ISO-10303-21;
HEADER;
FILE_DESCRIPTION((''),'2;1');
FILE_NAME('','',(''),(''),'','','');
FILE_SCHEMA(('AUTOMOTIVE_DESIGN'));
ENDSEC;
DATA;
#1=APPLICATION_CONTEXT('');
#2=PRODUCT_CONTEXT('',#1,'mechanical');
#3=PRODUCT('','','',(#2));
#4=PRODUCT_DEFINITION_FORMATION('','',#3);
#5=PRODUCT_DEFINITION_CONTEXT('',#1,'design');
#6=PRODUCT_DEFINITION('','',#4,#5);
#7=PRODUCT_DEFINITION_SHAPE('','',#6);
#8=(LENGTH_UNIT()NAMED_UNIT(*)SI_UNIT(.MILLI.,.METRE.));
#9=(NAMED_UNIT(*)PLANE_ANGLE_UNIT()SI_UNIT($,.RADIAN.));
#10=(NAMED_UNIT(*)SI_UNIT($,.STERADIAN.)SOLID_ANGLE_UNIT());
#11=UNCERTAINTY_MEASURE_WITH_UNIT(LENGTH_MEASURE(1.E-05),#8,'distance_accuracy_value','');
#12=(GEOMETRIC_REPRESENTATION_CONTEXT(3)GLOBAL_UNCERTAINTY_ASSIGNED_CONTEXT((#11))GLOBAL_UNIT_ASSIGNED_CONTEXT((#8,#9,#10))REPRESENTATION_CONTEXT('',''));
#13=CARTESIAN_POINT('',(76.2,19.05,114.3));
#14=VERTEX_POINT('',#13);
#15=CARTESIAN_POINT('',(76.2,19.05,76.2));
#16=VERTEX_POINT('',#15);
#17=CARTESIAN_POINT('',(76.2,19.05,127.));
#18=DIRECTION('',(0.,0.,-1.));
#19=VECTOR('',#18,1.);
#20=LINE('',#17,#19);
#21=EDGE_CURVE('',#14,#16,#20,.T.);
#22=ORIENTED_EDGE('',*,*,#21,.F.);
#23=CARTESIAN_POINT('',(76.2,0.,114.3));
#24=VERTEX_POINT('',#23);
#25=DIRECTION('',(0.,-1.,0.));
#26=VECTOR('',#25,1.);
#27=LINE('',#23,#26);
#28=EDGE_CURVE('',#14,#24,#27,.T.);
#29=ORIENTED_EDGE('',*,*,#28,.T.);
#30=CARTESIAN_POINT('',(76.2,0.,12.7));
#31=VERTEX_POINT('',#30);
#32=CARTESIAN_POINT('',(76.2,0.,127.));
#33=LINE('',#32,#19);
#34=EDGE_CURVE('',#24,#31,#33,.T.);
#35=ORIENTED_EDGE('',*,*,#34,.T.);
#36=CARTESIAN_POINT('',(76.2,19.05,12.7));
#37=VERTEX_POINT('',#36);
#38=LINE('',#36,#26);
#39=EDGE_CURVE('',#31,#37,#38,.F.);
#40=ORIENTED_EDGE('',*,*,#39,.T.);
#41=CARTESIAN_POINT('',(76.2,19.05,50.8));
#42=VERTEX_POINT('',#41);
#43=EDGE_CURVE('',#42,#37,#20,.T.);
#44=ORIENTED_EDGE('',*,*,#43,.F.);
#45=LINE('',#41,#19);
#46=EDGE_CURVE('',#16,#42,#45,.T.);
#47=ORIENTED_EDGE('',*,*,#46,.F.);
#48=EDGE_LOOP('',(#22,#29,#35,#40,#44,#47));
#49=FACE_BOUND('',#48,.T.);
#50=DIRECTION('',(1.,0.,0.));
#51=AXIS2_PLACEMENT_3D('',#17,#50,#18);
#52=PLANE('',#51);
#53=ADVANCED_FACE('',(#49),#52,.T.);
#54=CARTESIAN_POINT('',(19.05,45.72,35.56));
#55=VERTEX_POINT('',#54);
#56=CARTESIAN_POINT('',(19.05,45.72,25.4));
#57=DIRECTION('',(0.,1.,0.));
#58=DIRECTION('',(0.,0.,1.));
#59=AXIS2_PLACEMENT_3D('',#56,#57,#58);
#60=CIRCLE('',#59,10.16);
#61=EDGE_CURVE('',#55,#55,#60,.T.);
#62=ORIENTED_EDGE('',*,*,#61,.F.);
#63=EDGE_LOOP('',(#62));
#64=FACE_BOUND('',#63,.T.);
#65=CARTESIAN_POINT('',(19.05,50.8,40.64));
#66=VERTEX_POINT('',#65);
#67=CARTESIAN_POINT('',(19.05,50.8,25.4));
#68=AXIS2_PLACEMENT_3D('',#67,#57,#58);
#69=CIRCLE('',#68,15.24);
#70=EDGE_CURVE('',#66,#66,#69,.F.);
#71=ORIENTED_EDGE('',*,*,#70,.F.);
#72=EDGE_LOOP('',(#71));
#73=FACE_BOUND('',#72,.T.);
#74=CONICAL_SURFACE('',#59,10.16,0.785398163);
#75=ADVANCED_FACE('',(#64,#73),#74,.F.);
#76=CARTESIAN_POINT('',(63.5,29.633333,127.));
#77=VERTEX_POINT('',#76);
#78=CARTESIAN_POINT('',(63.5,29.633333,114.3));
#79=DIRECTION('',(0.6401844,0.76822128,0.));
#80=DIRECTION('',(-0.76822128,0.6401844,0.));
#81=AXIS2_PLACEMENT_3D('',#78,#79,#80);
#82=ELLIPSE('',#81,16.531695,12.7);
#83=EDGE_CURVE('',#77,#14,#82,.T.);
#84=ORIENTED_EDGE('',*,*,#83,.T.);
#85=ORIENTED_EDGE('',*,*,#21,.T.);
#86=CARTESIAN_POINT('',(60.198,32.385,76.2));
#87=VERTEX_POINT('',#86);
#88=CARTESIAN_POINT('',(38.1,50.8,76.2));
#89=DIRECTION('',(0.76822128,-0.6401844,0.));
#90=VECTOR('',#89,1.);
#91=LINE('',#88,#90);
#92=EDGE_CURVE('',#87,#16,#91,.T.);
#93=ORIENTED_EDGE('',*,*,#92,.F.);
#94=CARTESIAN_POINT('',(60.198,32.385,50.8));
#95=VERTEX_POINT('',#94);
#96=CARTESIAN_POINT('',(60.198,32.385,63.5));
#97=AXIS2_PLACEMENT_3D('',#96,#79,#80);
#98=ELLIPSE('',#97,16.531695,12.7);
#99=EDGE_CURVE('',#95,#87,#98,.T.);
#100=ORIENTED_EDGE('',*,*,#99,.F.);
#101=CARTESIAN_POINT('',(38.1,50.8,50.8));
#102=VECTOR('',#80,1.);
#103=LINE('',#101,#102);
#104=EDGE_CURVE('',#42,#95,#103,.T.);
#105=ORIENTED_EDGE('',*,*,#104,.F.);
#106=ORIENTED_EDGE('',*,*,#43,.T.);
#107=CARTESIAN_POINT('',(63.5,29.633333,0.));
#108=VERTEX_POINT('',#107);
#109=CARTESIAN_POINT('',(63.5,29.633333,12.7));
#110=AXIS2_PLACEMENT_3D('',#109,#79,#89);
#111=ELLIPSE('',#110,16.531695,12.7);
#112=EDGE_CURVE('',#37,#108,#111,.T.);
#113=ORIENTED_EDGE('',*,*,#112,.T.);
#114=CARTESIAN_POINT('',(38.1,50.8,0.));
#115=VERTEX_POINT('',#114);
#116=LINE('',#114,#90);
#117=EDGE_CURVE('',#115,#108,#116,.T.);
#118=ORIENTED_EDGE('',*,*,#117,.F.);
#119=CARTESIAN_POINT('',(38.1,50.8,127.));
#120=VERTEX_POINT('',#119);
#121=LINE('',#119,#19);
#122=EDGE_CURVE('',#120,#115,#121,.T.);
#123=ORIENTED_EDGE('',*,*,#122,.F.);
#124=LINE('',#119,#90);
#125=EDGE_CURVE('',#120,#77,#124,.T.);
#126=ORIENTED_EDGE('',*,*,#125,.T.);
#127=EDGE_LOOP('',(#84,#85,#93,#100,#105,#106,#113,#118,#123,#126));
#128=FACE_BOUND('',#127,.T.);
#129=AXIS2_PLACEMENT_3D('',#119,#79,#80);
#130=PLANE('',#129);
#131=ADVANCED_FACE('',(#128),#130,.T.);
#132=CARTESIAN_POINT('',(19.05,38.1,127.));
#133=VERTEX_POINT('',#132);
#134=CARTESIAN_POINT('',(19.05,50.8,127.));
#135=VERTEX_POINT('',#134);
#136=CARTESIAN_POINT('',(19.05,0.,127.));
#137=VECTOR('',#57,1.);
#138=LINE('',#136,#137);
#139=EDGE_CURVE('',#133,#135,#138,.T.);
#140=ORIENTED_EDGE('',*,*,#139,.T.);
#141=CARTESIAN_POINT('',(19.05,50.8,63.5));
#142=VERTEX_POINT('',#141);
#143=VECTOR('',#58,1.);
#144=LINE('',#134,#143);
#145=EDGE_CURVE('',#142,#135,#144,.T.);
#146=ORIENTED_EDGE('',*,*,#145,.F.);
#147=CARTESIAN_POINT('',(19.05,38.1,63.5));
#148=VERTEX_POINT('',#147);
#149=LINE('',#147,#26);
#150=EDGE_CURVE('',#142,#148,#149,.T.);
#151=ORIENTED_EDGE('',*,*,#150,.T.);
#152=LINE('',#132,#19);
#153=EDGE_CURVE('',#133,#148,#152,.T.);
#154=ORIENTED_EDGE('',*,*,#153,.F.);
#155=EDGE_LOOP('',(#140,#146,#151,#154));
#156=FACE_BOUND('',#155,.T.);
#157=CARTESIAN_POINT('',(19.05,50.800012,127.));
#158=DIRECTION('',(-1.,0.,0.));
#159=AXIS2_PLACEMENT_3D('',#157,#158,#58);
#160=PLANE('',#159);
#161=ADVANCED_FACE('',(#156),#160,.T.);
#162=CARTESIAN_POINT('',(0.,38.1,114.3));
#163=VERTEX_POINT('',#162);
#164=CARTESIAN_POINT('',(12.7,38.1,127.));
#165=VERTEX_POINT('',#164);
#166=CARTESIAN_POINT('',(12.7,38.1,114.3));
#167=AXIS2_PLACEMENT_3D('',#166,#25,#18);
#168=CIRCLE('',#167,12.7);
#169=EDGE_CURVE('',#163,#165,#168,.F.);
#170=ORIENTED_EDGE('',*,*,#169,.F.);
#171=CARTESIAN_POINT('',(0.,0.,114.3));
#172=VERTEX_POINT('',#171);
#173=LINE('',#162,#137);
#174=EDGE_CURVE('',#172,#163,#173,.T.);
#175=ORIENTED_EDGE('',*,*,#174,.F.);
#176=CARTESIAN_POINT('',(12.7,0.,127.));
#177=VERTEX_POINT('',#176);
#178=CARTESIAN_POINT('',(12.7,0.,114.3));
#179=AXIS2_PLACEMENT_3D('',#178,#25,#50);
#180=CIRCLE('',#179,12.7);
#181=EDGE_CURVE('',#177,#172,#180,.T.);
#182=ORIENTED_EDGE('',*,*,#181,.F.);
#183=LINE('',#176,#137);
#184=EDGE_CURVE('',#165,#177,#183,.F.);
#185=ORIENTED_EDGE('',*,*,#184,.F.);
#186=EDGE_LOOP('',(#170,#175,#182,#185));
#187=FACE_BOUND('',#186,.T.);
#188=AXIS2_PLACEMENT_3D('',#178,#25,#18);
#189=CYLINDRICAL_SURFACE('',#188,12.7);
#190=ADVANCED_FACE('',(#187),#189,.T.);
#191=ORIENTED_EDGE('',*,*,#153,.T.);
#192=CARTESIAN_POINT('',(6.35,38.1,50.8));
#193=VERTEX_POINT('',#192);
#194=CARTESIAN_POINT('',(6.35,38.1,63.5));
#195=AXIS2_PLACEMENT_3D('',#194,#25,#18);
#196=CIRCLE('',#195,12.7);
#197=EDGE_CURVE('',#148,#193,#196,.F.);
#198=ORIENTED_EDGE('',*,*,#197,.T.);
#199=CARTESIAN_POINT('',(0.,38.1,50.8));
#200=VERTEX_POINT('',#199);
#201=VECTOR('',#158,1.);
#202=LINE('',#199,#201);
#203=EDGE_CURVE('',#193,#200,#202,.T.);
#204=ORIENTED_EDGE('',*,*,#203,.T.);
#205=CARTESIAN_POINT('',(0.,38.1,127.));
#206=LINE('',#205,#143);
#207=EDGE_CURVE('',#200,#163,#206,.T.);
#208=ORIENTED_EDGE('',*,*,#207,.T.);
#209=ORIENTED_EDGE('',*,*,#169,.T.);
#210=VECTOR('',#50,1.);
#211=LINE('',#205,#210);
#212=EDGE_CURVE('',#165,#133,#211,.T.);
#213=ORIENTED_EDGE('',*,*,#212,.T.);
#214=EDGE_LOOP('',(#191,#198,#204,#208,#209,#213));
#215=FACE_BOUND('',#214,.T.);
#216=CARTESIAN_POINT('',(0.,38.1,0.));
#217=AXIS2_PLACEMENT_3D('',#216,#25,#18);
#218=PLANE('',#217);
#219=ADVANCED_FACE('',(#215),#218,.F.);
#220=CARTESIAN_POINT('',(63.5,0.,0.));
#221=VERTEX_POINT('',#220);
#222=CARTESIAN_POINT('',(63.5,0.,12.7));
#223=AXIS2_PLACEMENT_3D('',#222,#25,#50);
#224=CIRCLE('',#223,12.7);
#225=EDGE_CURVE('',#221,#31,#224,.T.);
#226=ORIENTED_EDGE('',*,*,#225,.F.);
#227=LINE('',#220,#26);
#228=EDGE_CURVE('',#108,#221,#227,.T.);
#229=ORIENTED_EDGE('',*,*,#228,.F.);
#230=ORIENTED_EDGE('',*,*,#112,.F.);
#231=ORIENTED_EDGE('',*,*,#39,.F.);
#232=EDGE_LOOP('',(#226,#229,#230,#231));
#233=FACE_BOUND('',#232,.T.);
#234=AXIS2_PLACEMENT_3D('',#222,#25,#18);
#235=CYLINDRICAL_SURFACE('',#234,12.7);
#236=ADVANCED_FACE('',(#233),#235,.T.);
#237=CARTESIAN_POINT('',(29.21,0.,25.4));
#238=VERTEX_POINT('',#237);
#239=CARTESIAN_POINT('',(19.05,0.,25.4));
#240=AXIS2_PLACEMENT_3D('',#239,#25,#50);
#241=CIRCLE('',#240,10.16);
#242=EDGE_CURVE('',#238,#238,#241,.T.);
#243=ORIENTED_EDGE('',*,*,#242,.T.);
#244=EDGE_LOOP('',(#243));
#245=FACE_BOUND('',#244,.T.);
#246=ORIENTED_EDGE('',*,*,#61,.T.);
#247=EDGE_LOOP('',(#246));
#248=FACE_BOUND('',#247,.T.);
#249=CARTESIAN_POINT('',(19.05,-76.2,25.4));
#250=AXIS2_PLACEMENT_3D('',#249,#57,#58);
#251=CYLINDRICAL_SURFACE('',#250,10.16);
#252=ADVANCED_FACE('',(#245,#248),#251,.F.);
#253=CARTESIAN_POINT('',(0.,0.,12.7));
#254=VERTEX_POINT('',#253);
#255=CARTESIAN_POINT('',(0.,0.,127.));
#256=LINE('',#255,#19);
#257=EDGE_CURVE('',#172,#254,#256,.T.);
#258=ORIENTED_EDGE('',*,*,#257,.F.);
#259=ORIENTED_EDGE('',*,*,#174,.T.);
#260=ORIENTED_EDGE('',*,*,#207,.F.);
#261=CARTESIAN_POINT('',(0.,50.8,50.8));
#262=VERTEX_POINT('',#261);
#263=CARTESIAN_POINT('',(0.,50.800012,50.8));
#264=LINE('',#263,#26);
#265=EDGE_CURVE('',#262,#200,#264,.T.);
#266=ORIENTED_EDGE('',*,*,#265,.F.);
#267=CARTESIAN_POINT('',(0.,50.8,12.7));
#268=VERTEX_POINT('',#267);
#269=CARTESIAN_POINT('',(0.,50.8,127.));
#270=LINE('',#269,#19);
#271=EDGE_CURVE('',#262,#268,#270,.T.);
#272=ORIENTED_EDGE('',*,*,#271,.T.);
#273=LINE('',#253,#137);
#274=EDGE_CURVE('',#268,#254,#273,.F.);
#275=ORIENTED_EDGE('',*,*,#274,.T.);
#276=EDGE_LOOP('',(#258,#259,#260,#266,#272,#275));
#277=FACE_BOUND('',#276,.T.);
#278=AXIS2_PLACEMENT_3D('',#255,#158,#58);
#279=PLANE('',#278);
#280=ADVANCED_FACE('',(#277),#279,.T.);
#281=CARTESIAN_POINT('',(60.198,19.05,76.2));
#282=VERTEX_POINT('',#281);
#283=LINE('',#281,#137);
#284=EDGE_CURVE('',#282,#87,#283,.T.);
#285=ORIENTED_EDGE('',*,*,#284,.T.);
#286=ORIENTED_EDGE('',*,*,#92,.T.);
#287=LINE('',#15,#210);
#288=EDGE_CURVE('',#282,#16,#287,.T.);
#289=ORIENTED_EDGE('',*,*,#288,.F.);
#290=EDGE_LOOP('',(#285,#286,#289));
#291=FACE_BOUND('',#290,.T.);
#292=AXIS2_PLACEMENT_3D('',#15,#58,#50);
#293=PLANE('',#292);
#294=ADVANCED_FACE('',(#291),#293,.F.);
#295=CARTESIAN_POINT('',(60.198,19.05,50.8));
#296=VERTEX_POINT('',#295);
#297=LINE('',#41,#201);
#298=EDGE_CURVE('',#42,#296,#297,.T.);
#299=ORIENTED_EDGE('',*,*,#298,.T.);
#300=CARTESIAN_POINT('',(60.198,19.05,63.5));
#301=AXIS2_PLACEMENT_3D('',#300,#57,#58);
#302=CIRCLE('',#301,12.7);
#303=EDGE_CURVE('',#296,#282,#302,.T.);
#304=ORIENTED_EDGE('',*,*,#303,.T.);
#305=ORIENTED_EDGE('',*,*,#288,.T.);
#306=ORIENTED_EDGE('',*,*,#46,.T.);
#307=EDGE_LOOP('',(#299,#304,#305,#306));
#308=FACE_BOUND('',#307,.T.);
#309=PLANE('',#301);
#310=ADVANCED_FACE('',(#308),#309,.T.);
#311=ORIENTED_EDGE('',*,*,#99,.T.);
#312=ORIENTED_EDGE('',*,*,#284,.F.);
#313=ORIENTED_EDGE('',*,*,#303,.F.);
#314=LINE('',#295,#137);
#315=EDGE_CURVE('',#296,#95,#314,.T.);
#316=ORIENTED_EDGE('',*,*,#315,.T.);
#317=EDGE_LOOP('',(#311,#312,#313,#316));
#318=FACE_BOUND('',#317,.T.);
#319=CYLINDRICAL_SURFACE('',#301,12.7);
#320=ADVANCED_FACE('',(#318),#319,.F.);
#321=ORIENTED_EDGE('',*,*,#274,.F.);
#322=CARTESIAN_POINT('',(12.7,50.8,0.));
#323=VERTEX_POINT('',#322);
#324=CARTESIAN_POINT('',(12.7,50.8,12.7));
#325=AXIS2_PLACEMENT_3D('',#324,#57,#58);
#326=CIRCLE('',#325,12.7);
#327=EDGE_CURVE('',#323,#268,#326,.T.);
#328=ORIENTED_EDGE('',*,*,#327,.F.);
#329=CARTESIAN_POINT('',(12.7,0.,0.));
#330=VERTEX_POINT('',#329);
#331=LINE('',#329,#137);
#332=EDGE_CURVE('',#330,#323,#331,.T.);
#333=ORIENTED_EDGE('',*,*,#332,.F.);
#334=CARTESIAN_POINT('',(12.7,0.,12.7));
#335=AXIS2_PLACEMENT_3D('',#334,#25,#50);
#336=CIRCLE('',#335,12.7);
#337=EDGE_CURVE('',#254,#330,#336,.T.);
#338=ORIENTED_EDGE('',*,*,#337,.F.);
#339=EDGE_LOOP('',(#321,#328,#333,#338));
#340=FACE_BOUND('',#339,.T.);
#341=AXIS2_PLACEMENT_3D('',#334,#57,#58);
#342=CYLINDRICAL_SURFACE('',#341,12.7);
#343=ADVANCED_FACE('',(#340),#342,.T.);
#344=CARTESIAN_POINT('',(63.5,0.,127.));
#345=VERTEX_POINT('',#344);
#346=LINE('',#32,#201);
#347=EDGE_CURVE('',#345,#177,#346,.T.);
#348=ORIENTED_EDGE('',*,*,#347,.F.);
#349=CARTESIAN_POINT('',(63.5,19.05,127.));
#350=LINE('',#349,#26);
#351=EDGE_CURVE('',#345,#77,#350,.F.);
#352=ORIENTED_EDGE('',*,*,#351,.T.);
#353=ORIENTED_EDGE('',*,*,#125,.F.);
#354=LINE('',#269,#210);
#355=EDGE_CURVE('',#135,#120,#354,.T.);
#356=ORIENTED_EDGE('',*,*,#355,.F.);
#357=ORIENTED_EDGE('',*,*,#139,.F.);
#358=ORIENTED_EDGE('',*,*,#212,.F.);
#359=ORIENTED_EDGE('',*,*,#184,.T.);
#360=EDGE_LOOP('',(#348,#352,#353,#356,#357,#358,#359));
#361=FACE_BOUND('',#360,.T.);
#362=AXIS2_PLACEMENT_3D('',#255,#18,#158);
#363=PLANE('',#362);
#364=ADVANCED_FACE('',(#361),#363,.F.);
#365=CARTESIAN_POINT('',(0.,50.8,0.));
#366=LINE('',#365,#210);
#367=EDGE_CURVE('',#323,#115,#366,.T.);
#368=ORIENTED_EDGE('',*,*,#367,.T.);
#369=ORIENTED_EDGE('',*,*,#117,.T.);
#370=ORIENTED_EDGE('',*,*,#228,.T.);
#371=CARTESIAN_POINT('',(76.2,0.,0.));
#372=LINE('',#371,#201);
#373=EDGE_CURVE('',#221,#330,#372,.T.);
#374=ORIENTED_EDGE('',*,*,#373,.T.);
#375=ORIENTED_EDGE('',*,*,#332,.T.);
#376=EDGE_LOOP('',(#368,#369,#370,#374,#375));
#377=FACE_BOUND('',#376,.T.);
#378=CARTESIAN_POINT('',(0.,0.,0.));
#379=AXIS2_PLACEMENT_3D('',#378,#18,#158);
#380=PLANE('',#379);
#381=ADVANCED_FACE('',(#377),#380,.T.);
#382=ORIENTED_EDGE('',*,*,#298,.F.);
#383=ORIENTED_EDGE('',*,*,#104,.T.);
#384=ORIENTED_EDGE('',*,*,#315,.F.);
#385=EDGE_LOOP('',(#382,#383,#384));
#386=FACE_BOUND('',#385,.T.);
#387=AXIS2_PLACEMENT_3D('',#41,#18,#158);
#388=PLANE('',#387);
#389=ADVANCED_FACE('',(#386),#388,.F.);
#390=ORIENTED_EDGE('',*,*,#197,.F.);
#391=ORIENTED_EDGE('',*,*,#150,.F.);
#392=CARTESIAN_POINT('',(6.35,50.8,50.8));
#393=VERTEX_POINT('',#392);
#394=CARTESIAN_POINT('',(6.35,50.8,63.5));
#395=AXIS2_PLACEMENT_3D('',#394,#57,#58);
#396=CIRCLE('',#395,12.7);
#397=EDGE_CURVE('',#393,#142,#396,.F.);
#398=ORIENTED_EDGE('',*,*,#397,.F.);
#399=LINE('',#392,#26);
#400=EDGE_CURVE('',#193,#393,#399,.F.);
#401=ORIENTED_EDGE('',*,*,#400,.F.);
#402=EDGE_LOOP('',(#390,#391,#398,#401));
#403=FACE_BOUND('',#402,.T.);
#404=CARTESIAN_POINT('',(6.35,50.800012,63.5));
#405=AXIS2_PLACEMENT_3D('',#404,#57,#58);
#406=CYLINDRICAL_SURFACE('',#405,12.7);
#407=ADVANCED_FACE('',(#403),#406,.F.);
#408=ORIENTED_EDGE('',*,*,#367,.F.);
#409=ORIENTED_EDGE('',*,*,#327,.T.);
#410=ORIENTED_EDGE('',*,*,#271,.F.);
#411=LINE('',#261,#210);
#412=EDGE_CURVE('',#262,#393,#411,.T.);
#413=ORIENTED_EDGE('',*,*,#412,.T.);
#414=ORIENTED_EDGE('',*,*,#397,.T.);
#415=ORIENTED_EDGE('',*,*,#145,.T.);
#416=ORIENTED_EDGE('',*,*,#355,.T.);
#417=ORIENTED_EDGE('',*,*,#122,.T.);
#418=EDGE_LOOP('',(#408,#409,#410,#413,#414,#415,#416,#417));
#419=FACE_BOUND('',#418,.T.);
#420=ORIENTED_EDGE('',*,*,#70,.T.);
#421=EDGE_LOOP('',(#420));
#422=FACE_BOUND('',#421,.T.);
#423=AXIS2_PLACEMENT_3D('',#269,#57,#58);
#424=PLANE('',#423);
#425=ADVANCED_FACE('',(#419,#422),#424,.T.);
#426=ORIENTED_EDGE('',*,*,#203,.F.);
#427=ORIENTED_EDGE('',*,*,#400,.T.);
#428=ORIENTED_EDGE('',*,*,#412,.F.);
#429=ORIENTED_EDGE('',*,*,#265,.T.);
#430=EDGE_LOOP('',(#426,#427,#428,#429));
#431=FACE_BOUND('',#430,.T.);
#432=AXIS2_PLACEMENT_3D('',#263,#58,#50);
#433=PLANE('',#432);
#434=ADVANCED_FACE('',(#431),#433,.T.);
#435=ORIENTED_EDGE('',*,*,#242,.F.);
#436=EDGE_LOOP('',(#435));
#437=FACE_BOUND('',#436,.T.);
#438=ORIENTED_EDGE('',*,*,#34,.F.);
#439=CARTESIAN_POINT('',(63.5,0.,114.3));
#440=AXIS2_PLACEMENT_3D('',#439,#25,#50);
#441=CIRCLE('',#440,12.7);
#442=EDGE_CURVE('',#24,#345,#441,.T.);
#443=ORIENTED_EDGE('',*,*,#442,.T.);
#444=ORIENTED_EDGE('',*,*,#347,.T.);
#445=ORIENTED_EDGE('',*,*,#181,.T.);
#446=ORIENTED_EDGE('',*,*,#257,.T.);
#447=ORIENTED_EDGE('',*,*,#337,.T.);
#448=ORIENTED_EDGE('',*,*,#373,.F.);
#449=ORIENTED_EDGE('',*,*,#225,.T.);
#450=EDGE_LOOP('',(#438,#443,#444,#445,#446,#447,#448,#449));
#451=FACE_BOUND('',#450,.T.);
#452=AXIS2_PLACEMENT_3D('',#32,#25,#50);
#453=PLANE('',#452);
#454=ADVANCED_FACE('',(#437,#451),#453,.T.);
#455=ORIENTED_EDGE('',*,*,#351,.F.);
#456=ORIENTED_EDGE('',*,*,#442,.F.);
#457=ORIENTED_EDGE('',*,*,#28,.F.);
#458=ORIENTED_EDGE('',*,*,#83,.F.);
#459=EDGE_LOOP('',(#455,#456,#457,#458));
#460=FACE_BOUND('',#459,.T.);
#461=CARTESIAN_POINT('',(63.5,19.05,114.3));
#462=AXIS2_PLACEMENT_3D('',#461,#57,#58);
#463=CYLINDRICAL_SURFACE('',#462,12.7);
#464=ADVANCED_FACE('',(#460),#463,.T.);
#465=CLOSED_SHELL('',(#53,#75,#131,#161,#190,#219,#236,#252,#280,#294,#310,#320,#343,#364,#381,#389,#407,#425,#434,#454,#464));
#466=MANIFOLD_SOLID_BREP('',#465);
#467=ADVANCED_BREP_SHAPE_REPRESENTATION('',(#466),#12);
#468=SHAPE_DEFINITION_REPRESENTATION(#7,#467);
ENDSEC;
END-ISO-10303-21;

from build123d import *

# Parameters (mm, degrees)
BOSS_EXTRUDE1_DEPTH     = 127
SKETCH3_R               = 10.16
CUT_EXTRUDE1_DEPTH      = 127
CHAMFER1_SIZE           = 5.08
SKETCH4_W               = 19.05
SKETCH4_H               = 76.2
CUT_EXTRUDE3_DEPTH      = 1
CUT_EXTRUDE3_DEPTH_BACK = 12.7
FILLET1_R               = 12.7
CUT_EXTRUDE4_DEPTH      = 31.75
FILLET2_R               = 12.7
FILLET3_R               = 12.7
FILLET4_R               = 12.7
FILLET5_R               = 12.7


with BuildPart() as part:
    # Sketch1 → Boss-Extrude1 (new body)
    with BuildSketch(Plane.XY):
        Polygon((0, 0), (0, 50.8), (38.1, 50.8), (76.2, 19.05), (76.2, 0), align=None)
    extrude(amount=BOSS_EXTRUDE1_DEPTH)

    # Sketch3 → Cut-Extrude1 (cut)
    with BuildSketch(Plane(origin=(0, 50.8, 0), x_dir=(1, 0, 0), z_dir=(0, 1, 0))):
        with Locations((19.05, -25.4)):
            Circle(SKETCH3_R)
    extrude(amount=-CUT_EXTRUDE1_DEPTH, mode=Mode.SUBTRACT)

    # Chamfer1
    chamfer1_edges = [part.edges().sort_by_distance(p)[0] for p in [
        (8.89, 50.8, 25.4),
    ]]
    chamfer(chamfer1_edges, length=CHAMFER1_SIZE)

    # Sketch4 → Cut-Extrude3 (cut, two sides)
    with BuildSketch(Plane(origin=(0, 50.8, 0), x_dir=(1, 0, 0), z_dir=(0, 1, 0))) as cut_extrude3_sk:
        with Locations((9.525, -88.9)):
            Rectangle(SKETCH4_W, SKETCH4_H)
    extrude(amount=CUT_EXTRUDE3_DEPTH, mode=Mode.SUBTRACT)
    extrude(cut_extrude3_sk.sketch, amount=-CUT_EXTRUDE3_DEPTH_BACK, mode=Mode.SUBTRACT)

    # Fillet1
    fillet1_edges = [part.edges().sort_by_distance(p)[0] for p in [
        (19.05, 44.45, 50.8),
    ]]
    fillet(fillet1_edges, radius=FILLET1_R)

    # Sketch5 → Cut-Extrude4 (cut)
    with BuildSketch(Plane(origin=(0, 50.8, 0), x_dir=(1, 0, 0), z_dir=(0, 1, 0))):
        with BuildLine():
            Line((76.2, -50.8), (60.198, -50.8))
            ThreePointArc((60.198, -50.8), (47.498, -63.5), (60.198, -76.2))
            Line((60.198, -76.2), (76.2, -76.2))
            Line((76.2, -76.2), (76.2, -50.8))
        make_face()
    extrude(amount=-CUT_EXTRUDE4_DEPTH, mode=Mode.SUBTRACT)

    # Fillet2
    fillet2_edges = [part.edges().sort_by_distance(p)[0] for p in [
        (0, 19.05, 127),
    ]]
    fillet(fillet2_edges, radius=FILLET2_R)

    # Fillet3
    fillet3_edges = [part.edges().sort_by_distance(p)[0] for p in [
        (76.2, 9.525, 127),
    ]]
    fillet(fillet3_edges, radius=FILLET3_R)

    # Fillet4
    fillet4_edges = [part.edges().sort_by_distance(p)[0] for p in [
        (76.2, 9.525, 0),
    ]]
    fillet(fillet4_edges, radius=FILLET4_R)

    # Fillet5
    fillet5_edges = [part.edges().sort_by_distance(p)[0] for p in [
        (0, 25.4, 0),
    ]]
    fillet(fillet5_edges, radius=FILLET5_R)


solid = part.part
